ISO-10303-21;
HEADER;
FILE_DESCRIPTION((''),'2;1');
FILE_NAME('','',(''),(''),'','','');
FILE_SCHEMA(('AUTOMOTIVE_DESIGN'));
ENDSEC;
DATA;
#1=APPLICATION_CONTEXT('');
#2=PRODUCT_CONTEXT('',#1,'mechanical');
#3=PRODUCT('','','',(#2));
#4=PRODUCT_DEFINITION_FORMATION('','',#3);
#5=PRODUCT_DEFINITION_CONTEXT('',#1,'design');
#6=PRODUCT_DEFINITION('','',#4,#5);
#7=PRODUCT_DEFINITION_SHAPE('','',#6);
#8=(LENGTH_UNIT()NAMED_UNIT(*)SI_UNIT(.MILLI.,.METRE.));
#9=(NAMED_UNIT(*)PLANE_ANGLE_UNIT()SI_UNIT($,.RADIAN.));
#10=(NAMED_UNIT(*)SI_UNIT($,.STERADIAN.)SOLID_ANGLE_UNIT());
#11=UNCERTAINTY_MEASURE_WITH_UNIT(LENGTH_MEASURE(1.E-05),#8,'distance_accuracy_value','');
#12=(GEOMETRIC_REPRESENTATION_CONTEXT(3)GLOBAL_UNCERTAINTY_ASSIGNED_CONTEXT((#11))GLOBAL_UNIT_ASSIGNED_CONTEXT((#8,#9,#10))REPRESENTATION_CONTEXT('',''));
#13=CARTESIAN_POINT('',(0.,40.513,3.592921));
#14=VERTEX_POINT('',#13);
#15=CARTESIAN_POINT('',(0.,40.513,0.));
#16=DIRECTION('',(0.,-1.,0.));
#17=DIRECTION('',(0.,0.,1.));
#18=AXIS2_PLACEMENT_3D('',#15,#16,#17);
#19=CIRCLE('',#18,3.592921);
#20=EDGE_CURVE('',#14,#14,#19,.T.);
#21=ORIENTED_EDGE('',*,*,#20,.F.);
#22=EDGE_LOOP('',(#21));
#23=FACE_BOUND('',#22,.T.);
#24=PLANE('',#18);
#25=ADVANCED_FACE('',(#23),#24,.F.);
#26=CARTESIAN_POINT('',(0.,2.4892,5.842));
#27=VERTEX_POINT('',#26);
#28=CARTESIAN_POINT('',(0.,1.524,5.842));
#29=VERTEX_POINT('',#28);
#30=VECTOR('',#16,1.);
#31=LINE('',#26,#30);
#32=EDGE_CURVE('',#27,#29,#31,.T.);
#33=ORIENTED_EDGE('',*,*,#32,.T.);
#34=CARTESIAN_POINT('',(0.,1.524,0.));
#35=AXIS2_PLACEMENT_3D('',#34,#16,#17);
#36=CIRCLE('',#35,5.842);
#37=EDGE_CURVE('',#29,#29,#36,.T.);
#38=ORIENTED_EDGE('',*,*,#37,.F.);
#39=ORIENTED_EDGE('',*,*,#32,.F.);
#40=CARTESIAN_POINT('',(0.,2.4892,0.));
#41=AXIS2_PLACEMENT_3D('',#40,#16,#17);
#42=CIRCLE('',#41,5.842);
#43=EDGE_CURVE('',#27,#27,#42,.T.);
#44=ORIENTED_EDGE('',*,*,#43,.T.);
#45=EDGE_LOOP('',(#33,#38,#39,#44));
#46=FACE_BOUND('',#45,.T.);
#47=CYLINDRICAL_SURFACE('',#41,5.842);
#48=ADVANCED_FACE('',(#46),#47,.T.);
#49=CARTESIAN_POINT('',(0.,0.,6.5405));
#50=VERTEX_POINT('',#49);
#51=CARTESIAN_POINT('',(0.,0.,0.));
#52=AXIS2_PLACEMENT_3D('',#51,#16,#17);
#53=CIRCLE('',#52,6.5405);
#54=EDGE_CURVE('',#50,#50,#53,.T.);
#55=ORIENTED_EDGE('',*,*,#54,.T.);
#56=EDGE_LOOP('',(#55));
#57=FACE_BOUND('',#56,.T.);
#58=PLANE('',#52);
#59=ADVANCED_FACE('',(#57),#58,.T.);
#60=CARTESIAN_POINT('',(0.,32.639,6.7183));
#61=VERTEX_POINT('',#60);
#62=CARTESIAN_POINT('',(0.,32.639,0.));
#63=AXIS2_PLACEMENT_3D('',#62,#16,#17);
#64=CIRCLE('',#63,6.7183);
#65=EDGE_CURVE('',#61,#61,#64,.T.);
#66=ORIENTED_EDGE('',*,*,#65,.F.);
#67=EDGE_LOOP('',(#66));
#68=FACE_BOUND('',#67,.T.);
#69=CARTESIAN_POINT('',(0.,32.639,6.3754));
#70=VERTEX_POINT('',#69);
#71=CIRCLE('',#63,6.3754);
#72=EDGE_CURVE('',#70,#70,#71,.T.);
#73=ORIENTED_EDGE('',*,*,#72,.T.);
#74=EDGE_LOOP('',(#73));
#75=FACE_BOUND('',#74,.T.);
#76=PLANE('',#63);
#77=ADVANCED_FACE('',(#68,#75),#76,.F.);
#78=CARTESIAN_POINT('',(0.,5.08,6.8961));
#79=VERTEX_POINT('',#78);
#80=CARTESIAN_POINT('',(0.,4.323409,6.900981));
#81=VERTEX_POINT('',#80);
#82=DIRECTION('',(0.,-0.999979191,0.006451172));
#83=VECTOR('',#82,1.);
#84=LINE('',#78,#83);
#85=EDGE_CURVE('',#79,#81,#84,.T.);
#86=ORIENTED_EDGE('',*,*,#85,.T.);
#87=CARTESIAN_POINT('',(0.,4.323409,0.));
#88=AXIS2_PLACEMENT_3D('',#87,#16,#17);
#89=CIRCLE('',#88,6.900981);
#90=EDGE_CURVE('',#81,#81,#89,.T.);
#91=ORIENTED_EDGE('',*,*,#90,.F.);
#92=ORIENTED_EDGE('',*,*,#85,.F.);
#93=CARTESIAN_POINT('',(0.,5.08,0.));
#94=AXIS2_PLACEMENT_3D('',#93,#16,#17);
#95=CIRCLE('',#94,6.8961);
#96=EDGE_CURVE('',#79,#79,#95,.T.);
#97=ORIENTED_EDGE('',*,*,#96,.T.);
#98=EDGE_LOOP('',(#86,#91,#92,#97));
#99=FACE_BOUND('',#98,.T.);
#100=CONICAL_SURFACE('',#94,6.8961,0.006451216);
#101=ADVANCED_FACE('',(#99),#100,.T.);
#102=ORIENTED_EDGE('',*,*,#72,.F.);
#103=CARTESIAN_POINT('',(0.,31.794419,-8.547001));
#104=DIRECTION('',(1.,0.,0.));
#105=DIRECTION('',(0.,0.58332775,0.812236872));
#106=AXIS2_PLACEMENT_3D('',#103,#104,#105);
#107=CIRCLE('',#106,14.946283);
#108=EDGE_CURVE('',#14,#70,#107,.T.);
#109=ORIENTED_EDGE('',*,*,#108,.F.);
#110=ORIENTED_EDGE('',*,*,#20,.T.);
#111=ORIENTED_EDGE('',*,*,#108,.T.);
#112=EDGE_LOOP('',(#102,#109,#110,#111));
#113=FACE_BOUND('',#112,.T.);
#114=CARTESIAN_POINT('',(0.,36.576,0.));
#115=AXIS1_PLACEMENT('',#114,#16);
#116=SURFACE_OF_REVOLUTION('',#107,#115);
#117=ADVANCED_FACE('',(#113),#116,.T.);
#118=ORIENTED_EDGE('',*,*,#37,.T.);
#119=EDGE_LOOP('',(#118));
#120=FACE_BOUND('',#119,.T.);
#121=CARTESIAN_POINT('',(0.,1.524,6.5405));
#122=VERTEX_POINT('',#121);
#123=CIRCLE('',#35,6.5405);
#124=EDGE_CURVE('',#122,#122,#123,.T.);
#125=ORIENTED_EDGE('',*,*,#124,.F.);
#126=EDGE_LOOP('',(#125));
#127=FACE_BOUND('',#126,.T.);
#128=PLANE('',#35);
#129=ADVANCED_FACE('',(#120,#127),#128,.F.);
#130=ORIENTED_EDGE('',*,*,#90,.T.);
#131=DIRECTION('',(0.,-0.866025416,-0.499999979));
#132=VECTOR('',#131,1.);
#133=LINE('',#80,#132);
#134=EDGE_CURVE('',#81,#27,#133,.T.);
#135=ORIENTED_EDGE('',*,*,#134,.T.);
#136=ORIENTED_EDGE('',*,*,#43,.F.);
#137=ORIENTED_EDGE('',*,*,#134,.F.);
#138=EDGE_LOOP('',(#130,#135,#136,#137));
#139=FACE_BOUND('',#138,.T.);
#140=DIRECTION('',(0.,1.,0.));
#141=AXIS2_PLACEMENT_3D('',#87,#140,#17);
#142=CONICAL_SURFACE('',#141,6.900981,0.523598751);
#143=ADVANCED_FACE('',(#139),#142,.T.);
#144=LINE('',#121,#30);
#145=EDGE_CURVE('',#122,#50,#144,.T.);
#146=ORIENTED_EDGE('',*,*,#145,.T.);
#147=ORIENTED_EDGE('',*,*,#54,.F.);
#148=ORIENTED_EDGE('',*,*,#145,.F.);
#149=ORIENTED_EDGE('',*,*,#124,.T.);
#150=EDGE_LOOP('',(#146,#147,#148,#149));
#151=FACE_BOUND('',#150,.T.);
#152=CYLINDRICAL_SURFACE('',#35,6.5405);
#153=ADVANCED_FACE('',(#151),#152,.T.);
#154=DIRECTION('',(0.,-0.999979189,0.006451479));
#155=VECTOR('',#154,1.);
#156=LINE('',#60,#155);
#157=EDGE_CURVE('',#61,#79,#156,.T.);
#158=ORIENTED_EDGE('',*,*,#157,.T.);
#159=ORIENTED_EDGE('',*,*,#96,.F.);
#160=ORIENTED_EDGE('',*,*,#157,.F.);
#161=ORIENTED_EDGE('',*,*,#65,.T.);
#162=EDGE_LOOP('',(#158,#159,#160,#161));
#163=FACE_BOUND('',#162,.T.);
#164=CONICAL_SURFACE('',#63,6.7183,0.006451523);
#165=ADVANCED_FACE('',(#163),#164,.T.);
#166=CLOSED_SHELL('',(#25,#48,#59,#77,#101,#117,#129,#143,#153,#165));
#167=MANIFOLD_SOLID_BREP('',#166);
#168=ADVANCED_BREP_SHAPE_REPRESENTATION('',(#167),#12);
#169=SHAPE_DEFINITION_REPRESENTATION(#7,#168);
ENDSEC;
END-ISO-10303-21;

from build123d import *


with BuildPart() as f1:
    # F0 (on Right) → F1 (revolve)
    with BuildSketch(Plane.YZ):
        Polygon((0, 6.5405), (0, 0), (5.08, 0), (5.08, 6.8961), (4.323409, 6.900981), (2.4892, 5.842), (1.524, 5.842), (1.524, 6.5405), align=None)
        Polygon((5.08, 6.8961), (5.08, 0), (32.639, 0), (32.639, 6.7183), align=None)
    revolve(axis=Axis((0, 18.390228, 0), (0, -1, 0)))

    # F2 (on Right) → F3 (revolve)
    with BuildSketch(Plane.YZ):
        with BuildLine():
            ThreePointArc((40.513, 3.592921), (36.774285, 5.545277), (32.639, 6.3754))
            Line((32.639, 6.3754), (32.639, 0))
            Line((32.639, 0), (40.513, 0))
            Line((40.513, 0), (40.513, 3.592921))
        make_face()
    revolve(axis=Axis((0, 36.576, 0), (0, -1, 0)))


solid = f1.part
